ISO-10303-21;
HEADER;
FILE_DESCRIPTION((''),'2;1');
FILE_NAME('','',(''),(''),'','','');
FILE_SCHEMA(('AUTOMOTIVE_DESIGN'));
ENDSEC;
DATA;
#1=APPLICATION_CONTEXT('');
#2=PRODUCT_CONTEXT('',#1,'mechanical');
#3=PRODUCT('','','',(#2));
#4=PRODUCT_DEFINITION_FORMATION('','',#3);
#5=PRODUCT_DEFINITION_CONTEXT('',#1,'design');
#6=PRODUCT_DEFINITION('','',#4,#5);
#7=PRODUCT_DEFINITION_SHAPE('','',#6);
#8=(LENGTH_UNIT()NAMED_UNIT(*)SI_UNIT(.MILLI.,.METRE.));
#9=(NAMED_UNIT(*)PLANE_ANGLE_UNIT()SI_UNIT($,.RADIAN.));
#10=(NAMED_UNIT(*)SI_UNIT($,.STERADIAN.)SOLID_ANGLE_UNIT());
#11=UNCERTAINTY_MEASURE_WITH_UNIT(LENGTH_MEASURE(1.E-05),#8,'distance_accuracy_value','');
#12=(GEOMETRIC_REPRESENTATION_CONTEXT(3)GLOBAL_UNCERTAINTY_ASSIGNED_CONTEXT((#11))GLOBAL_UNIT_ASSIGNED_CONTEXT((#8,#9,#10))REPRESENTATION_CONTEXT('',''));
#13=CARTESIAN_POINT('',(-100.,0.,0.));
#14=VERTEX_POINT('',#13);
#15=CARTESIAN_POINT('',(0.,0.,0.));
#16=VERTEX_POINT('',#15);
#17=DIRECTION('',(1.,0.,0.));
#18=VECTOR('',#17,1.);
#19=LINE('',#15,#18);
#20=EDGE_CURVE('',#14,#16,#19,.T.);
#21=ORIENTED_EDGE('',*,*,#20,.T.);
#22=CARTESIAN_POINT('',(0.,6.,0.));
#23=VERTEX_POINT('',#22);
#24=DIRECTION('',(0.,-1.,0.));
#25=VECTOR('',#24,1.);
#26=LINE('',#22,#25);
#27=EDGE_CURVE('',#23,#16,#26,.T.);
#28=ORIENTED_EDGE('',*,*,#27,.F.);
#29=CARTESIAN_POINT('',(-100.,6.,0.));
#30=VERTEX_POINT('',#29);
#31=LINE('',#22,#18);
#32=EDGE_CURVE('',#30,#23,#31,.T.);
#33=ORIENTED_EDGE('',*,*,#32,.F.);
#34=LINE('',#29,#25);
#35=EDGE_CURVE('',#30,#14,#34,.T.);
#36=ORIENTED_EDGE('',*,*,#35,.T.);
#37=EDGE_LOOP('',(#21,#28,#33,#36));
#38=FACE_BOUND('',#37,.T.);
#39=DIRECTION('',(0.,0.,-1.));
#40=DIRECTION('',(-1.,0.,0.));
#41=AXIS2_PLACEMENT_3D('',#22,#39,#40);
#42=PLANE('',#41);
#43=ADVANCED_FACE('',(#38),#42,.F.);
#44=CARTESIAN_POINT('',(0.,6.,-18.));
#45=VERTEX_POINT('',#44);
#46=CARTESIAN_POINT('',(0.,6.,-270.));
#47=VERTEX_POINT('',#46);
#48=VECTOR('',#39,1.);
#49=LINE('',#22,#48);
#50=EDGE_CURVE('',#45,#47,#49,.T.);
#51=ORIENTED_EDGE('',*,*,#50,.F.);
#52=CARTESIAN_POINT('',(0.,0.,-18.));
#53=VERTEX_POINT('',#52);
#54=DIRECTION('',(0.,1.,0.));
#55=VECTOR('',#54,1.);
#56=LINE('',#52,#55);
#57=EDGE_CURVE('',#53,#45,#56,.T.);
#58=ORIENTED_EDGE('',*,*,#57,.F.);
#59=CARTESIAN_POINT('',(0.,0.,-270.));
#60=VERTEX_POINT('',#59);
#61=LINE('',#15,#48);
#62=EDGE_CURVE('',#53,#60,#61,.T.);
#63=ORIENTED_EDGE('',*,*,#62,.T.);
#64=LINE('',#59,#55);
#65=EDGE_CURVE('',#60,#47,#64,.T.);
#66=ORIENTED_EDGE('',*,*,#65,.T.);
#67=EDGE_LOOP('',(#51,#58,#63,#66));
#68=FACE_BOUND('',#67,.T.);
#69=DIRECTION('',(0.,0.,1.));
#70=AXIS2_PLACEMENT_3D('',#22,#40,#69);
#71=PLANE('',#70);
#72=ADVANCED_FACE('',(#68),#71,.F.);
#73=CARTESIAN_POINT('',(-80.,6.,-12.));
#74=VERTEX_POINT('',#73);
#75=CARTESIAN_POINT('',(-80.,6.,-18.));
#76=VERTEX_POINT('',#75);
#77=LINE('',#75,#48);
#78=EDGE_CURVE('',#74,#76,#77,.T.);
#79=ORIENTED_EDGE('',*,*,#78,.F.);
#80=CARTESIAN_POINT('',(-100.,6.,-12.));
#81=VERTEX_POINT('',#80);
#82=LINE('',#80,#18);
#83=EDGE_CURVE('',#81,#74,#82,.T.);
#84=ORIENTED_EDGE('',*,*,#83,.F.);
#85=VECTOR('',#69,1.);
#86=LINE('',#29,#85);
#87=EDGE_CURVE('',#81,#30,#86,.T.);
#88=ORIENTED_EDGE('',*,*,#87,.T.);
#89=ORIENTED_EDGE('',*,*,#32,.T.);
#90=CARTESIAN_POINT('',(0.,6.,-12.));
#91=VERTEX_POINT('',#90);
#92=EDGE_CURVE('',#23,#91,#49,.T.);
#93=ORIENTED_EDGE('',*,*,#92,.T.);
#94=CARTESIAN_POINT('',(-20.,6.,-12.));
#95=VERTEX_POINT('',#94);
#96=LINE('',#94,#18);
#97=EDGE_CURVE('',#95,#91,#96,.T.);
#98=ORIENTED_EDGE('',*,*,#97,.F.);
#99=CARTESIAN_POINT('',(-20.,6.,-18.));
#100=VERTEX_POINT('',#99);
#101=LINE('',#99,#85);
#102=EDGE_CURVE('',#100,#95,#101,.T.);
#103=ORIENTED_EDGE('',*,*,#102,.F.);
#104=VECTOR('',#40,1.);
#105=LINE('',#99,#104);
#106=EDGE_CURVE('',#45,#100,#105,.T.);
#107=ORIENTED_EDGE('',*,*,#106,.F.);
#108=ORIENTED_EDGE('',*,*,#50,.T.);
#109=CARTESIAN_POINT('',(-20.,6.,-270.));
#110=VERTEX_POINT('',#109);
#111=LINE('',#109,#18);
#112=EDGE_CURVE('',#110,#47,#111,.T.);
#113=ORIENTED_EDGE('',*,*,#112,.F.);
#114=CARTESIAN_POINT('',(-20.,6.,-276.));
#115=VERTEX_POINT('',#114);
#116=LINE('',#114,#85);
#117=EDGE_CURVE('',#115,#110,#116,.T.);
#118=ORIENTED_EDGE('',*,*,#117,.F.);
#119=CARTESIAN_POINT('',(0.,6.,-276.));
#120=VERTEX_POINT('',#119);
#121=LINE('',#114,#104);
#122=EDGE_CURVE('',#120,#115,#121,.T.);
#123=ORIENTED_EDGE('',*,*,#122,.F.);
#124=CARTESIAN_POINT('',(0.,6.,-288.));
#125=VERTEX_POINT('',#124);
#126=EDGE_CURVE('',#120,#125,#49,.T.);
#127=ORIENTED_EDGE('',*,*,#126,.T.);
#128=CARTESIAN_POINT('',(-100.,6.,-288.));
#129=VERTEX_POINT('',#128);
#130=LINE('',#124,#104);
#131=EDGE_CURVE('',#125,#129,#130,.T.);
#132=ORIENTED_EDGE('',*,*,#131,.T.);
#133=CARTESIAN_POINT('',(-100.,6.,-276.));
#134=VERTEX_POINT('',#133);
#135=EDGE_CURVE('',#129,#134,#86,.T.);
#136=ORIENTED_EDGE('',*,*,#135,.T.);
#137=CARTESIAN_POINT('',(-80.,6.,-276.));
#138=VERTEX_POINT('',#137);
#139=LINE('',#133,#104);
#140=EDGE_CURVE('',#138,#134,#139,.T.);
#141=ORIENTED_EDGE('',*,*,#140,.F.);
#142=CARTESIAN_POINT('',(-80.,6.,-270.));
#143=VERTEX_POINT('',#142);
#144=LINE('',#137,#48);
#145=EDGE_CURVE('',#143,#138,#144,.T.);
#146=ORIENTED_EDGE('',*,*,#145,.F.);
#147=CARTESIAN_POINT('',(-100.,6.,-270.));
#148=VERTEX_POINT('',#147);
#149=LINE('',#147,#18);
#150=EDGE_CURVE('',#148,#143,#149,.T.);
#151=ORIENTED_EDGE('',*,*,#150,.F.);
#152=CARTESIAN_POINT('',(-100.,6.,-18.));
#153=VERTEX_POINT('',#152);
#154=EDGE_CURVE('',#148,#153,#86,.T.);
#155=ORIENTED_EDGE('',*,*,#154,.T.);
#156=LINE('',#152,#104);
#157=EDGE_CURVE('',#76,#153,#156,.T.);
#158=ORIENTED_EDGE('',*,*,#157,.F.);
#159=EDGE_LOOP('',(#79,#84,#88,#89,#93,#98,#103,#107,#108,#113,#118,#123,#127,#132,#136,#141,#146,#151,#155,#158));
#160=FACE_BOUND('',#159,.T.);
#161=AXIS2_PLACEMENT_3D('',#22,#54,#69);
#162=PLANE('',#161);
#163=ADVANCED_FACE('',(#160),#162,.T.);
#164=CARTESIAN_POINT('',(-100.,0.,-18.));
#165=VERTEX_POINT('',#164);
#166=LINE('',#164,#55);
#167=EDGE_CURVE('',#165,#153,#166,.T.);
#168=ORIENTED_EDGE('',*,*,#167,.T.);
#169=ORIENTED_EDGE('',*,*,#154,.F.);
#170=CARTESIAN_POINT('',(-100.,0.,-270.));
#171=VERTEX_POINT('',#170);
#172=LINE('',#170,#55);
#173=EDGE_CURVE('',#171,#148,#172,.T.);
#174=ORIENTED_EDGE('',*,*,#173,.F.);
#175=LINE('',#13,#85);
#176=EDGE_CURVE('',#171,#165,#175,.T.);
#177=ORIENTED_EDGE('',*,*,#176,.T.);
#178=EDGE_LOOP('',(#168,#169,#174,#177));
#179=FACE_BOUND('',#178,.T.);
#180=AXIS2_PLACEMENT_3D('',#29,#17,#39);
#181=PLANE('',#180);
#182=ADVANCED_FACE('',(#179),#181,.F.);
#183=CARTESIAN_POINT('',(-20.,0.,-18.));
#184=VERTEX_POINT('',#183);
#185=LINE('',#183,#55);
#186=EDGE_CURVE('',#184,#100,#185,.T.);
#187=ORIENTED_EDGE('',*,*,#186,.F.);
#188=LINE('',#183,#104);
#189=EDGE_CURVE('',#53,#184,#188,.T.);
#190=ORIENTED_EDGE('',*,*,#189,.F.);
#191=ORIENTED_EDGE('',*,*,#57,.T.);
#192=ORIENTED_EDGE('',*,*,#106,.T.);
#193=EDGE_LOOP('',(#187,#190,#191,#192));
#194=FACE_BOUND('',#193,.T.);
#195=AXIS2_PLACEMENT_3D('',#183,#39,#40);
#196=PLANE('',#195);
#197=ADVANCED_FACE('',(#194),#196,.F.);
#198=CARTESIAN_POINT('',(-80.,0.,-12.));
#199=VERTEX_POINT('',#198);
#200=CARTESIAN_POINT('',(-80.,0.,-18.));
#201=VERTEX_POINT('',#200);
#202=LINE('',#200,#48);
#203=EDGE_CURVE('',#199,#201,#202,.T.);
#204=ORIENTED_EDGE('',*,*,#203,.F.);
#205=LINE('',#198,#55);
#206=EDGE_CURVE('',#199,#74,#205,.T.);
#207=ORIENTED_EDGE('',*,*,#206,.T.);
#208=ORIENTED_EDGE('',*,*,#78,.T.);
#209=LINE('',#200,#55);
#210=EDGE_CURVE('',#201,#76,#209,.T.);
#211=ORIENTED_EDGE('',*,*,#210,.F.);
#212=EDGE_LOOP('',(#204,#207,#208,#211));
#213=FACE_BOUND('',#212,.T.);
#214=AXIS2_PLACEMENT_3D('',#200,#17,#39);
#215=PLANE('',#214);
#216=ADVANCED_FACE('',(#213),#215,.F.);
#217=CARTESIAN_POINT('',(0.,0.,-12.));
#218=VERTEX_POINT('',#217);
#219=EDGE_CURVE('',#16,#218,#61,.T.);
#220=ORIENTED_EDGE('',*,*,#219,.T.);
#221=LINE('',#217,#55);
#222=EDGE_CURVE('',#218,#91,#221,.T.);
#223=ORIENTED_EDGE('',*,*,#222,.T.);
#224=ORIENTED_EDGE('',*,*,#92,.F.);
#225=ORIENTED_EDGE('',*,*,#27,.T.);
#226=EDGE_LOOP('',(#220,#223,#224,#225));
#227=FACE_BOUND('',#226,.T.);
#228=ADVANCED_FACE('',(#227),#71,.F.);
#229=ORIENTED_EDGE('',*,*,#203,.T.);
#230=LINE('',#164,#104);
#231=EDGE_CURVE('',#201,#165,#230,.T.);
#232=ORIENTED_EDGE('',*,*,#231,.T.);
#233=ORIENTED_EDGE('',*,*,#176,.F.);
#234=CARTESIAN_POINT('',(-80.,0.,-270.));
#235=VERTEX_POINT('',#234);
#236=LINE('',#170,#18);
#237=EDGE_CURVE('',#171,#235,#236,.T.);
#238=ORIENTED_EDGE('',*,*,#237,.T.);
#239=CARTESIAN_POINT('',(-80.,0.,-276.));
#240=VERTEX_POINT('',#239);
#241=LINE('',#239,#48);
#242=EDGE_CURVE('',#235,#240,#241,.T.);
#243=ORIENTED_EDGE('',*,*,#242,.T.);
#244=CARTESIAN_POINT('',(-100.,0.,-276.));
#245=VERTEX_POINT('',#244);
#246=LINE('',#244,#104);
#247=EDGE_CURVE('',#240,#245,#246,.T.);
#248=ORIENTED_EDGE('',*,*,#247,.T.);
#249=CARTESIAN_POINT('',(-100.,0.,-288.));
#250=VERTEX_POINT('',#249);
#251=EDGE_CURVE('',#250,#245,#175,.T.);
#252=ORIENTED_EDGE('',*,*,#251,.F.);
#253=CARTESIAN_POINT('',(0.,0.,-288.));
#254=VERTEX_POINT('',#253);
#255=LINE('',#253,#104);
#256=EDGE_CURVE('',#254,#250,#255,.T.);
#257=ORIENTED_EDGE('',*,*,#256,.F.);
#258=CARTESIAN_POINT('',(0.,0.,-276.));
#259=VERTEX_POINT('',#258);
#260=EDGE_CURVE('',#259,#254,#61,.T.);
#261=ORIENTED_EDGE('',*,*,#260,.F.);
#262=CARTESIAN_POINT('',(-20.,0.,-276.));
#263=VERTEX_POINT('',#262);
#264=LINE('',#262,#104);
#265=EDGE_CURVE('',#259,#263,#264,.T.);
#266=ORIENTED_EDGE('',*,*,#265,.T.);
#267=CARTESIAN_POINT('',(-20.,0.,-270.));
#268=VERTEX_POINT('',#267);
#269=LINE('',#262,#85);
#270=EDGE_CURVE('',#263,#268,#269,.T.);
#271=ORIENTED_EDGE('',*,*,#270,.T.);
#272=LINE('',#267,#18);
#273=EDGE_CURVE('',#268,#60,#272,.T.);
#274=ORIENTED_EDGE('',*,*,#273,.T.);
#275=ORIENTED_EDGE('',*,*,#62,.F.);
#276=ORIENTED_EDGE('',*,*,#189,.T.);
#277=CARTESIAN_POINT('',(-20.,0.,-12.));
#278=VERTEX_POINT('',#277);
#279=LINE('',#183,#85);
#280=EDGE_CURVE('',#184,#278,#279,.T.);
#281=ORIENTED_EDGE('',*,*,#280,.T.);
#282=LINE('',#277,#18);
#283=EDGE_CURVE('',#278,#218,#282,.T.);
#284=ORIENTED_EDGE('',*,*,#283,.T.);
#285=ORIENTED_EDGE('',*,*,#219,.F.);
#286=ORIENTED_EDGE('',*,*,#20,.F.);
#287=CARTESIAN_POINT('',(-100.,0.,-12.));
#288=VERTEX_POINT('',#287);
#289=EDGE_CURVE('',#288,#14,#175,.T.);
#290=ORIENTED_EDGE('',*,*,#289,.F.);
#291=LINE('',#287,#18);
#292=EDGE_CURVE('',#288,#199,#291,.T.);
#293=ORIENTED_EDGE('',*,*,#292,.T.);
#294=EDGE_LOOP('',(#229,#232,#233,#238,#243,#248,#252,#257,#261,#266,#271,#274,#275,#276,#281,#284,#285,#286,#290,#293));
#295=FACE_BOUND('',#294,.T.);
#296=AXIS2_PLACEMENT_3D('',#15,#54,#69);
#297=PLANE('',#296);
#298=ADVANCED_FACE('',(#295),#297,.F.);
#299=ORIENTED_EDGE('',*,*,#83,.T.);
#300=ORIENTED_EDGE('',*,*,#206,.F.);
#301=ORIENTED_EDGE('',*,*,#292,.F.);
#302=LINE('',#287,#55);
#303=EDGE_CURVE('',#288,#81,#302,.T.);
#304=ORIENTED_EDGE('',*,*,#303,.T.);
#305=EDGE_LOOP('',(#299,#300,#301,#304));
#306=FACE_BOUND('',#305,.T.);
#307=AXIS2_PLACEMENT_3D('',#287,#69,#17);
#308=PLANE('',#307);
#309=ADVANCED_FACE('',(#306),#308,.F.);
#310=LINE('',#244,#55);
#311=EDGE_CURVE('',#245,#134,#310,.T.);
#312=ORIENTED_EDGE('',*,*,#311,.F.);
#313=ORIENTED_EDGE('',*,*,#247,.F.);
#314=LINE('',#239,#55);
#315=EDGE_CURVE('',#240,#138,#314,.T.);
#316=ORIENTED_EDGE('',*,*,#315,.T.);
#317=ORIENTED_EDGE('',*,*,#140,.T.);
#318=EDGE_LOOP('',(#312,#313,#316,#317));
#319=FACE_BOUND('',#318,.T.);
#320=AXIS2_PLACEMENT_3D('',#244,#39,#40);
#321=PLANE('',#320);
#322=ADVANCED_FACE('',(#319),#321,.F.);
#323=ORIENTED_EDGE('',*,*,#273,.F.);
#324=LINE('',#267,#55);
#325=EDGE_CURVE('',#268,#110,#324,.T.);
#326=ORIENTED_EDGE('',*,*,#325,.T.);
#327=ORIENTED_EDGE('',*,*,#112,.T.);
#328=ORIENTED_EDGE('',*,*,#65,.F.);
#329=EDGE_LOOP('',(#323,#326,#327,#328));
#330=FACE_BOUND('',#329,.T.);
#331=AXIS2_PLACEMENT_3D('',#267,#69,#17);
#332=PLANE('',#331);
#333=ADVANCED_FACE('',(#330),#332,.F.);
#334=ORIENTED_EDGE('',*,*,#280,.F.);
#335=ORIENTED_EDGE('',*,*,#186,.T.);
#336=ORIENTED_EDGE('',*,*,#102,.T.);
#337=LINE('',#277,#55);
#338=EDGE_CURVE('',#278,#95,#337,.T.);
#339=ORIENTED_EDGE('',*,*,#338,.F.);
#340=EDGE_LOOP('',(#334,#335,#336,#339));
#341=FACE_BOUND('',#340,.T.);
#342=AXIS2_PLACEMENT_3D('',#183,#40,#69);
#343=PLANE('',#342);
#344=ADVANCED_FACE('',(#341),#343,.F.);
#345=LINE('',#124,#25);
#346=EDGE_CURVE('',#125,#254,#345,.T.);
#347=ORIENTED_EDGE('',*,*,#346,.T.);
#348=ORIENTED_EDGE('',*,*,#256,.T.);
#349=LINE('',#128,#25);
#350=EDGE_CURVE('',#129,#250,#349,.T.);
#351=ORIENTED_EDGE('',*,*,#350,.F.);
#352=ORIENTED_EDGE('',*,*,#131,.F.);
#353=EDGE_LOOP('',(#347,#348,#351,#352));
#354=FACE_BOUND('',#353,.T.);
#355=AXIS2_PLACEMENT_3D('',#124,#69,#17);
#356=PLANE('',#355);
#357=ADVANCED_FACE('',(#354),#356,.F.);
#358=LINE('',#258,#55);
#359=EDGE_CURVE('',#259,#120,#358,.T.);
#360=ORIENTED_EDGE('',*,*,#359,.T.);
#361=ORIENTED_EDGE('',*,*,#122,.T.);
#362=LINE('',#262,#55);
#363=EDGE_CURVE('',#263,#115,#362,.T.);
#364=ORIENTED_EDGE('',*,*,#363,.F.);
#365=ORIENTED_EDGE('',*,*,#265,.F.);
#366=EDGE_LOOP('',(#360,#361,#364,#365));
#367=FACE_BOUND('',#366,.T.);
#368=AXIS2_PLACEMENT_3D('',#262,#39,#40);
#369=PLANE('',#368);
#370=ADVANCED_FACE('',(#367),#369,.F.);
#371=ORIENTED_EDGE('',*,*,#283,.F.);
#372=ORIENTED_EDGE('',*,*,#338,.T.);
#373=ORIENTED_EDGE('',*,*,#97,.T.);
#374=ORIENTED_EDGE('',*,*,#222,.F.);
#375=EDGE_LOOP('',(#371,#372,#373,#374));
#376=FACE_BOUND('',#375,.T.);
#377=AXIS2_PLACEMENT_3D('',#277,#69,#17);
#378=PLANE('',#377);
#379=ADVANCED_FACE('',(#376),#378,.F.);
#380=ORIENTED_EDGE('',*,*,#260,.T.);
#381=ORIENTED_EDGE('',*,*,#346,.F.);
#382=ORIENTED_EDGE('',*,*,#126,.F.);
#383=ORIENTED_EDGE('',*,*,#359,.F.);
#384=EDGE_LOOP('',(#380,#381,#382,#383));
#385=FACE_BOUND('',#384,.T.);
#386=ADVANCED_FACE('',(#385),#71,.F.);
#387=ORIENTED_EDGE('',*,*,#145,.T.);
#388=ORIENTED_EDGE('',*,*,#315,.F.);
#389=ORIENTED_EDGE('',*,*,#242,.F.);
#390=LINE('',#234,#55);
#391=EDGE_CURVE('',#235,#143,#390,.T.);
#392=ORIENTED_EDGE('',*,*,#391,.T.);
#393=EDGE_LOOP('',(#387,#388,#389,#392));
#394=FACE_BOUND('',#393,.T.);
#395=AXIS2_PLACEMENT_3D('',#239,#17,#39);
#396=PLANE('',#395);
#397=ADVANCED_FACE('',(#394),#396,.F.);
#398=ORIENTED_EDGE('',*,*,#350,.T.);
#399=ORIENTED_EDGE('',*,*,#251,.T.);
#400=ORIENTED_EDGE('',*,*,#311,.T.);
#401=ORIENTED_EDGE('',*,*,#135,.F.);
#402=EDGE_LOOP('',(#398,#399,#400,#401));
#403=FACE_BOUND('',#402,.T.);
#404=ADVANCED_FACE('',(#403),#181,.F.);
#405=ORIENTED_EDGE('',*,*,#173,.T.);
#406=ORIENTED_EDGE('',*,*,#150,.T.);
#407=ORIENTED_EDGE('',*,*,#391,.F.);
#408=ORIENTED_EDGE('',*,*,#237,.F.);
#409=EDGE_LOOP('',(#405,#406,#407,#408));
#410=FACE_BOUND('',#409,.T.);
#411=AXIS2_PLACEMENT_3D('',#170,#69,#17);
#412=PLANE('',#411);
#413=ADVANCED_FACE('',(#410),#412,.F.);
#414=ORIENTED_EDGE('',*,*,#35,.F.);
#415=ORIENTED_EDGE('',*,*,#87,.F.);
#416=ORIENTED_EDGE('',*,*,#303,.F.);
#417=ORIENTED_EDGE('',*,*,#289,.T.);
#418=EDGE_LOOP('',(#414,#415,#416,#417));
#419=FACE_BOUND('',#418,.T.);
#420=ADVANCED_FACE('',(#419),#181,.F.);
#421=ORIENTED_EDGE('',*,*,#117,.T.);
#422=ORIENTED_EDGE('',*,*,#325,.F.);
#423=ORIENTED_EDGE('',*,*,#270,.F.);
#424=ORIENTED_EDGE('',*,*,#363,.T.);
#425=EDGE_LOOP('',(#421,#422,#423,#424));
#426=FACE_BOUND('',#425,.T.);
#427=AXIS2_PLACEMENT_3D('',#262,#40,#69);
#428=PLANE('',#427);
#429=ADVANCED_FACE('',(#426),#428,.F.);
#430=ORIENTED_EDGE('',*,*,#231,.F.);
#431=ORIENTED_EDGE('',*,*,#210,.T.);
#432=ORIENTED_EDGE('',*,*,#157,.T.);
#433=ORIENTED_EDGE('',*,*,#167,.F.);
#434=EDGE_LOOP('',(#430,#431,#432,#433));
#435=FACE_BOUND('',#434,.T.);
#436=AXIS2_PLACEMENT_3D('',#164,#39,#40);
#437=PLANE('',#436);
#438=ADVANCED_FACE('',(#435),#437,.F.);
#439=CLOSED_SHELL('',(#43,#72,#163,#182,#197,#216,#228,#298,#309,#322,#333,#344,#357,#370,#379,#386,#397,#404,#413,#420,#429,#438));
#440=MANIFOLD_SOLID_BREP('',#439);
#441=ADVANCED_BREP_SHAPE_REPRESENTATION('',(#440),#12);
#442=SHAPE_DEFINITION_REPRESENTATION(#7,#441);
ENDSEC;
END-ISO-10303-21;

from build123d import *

# Parameters (mm, degrees)
SKETCH1_W            = 100
SKETCH1_H            = 288
BOSS_EXTRUDE1_DEPTH  = 6
SKETCH2_W            = 20
SKETCH2_H            = 6
CUT_EXTRUDE1_DEPTH   = 305.926220585
LPATTERN1_COUNT      = 2
LPATTERN1_PITCH      = 258
LPATTERN1_COUNT_DIR2 = 2
LPATTERN1_PITCH_DIR2 = 80


with BuildPart() as part:
    # Sketch1 → Boss-Extrude1 (new body)
    with BuildSketch(Plane(origin=(0, 0, 0), x_dir=(1, 0, 0), z_dir=(0, 1, 0))):
        with Locations((-50, 144)):
            Rectangle(SKETCH1_W, SKETCH1_H)
    extrude(amount=BOSS_EXTRUDE1_DEPTH)

    # Sketch2 → Cut-Extrude1 (cut, through all)
    with BuildSketch(Plane(origin=(0, 6, 0), x_dir=(1, 0, 0), z_dir=(0, 1, 0))):
        with Locations((-90, 273)):
            Rectangle(SKETCH2_W, SKETCH2_H)
    cut_extrude1 = extrude(amount=-CUT_EXTRUDE1_DEPTH, mode=Mode.SUBTRACT)

    # LPattern1: Cut-Extrude1 2 × 2
    with Locations(*[(j * LPATTERN1_PITCH_DIR2, 0, i * LPATTERN1_PITCH) for i in range(LPATTERN1_COUNT) for j in range(LPATTERN1_COUNT_DIR2) if (i, j) != (0, 0)]):
        add(cut_extrude1, mode=Mode.SUBTRACT)


solid = part.part
